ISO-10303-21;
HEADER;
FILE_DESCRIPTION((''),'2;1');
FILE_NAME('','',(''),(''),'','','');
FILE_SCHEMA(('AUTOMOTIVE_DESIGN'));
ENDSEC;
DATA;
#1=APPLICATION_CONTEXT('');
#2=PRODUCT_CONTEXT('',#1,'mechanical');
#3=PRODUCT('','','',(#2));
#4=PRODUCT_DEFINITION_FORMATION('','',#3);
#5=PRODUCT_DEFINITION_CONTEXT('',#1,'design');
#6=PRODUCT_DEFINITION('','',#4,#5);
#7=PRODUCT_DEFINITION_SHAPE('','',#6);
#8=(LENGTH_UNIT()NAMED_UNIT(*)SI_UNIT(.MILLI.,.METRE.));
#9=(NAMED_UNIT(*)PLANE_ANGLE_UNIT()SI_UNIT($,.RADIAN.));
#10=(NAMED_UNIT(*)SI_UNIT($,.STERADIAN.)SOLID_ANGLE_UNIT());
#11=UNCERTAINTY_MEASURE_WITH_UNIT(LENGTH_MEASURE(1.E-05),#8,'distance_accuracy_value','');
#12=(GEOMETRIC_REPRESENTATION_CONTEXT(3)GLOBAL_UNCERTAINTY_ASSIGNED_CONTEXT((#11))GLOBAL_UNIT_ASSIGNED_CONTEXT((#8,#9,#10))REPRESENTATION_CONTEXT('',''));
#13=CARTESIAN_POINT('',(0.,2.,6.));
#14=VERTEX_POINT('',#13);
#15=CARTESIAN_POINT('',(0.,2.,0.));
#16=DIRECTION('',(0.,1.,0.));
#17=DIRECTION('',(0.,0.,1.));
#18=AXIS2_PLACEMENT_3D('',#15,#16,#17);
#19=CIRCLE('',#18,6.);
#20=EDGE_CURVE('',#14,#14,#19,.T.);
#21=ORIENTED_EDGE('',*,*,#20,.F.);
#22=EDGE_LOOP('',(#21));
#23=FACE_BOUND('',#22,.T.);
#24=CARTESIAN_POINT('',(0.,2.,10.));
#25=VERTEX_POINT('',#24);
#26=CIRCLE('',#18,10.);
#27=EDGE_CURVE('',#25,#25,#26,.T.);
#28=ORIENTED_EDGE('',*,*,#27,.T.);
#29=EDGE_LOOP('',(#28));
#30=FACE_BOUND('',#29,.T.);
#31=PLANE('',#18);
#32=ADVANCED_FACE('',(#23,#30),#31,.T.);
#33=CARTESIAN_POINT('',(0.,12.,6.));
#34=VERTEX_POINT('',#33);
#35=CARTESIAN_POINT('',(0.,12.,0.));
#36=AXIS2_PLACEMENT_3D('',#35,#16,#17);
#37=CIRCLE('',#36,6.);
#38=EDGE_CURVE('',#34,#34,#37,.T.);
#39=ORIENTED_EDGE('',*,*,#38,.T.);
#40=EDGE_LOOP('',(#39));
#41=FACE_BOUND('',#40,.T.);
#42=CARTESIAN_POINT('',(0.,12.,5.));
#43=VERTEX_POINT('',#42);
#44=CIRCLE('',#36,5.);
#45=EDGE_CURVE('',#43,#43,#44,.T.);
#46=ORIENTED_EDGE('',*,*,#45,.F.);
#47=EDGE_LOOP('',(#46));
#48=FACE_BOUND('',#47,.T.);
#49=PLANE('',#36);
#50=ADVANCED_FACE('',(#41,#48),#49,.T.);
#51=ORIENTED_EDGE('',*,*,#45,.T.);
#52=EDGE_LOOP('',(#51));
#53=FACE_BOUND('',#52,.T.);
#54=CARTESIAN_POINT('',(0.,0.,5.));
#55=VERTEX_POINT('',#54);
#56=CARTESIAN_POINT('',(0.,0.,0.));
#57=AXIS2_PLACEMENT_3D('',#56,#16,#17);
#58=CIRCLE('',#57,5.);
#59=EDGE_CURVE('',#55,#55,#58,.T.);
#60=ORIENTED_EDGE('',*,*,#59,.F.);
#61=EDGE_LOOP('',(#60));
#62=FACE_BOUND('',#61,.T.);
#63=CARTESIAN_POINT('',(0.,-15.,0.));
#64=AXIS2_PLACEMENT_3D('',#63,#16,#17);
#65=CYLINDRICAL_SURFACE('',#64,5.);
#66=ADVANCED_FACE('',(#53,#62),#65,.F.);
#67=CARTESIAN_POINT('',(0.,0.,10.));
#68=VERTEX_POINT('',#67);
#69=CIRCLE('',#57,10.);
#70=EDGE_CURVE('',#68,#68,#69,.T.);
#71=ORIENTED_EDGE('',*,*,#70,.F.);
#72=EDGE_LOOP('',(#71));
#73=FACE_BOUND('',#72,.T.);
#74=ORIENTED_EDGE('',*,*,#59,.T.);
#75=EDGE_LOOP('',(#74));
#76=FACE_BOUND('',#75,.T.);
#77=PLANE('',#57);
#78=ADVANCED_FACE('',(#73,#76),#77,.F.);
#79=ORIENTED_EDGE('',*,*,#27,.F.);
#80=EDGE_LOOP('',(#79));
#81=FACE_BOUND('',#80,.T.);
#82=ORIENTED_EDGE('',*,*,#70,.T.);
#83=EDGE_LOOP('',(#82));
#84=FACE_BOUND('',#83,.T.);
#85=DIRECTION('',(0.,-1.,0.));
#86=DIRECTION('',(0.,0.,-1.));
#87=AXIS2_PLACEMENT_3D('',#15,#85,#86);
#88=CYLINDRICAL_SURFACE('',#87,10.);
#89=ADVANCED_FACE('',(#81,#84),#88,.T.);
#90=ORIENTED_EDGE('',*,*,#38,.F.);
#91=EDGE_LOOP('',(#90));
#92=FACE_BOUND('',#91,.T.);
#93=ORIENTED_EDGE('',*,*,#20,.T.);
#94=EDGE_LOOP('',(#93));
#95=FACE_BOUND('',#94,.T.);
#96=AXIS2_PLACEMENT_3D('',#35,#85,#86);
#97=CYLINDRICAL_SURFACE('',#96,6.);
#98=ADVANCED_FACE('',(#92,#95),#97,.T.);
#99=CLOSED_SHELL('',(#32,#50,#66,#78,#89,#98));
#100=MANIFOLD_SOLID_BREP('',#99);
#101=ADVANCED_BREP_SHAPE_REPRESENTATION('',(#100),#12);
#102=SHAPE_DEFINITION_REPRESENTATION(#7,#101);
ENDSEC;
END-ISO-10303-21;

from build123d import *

# Parameters (mm, degrees)
SKETCH1_R           = 10
BOSS_EXTRUDE1_DEPTH = 2
SKETCH2_R           = 6
BOSS_EXTRUDE2_DEPTH = 10
SKETCH3_R           = 5
CUT_EXTRUDE2_DEPTH  = 27


with BuildPart() as part:
    # Sketch1 → Boss-Extrude1 (new body)
    with BuildSketch(Plane(origin=(0, 0, 0), x_dir=(1, 0, 0), z_dir=(0, 1, 0))):
        Circle(SKETCH1_R)
    extrude(amount=BOSS_EXTRUDE1_DEPTH)

    # Sketch2 → Boss-Extrude2 (add)
    with BuildSketch(Plane(origin=(0, 2, 0), x_dir=(1, 0, 0), z_dir=(0, 1, 0))):
        Circle(SKETCH2_R)
    extrude(amount=BOSS_EXTRUDE2_DEPTH)

    # Sketch3 → Cut-Extrude2 (cut)
    with BuildSketch(Plane(origin=(0, 12, 0), x_dir=(1, 0, 0), z_dir=(0, 1, 0))):
        Circle(SKETCH3_R)
    extrude(amount=-CUT_EXTRUDE2_DEPTH, mode=Mode.SUBTRACT)


solid = part.part
